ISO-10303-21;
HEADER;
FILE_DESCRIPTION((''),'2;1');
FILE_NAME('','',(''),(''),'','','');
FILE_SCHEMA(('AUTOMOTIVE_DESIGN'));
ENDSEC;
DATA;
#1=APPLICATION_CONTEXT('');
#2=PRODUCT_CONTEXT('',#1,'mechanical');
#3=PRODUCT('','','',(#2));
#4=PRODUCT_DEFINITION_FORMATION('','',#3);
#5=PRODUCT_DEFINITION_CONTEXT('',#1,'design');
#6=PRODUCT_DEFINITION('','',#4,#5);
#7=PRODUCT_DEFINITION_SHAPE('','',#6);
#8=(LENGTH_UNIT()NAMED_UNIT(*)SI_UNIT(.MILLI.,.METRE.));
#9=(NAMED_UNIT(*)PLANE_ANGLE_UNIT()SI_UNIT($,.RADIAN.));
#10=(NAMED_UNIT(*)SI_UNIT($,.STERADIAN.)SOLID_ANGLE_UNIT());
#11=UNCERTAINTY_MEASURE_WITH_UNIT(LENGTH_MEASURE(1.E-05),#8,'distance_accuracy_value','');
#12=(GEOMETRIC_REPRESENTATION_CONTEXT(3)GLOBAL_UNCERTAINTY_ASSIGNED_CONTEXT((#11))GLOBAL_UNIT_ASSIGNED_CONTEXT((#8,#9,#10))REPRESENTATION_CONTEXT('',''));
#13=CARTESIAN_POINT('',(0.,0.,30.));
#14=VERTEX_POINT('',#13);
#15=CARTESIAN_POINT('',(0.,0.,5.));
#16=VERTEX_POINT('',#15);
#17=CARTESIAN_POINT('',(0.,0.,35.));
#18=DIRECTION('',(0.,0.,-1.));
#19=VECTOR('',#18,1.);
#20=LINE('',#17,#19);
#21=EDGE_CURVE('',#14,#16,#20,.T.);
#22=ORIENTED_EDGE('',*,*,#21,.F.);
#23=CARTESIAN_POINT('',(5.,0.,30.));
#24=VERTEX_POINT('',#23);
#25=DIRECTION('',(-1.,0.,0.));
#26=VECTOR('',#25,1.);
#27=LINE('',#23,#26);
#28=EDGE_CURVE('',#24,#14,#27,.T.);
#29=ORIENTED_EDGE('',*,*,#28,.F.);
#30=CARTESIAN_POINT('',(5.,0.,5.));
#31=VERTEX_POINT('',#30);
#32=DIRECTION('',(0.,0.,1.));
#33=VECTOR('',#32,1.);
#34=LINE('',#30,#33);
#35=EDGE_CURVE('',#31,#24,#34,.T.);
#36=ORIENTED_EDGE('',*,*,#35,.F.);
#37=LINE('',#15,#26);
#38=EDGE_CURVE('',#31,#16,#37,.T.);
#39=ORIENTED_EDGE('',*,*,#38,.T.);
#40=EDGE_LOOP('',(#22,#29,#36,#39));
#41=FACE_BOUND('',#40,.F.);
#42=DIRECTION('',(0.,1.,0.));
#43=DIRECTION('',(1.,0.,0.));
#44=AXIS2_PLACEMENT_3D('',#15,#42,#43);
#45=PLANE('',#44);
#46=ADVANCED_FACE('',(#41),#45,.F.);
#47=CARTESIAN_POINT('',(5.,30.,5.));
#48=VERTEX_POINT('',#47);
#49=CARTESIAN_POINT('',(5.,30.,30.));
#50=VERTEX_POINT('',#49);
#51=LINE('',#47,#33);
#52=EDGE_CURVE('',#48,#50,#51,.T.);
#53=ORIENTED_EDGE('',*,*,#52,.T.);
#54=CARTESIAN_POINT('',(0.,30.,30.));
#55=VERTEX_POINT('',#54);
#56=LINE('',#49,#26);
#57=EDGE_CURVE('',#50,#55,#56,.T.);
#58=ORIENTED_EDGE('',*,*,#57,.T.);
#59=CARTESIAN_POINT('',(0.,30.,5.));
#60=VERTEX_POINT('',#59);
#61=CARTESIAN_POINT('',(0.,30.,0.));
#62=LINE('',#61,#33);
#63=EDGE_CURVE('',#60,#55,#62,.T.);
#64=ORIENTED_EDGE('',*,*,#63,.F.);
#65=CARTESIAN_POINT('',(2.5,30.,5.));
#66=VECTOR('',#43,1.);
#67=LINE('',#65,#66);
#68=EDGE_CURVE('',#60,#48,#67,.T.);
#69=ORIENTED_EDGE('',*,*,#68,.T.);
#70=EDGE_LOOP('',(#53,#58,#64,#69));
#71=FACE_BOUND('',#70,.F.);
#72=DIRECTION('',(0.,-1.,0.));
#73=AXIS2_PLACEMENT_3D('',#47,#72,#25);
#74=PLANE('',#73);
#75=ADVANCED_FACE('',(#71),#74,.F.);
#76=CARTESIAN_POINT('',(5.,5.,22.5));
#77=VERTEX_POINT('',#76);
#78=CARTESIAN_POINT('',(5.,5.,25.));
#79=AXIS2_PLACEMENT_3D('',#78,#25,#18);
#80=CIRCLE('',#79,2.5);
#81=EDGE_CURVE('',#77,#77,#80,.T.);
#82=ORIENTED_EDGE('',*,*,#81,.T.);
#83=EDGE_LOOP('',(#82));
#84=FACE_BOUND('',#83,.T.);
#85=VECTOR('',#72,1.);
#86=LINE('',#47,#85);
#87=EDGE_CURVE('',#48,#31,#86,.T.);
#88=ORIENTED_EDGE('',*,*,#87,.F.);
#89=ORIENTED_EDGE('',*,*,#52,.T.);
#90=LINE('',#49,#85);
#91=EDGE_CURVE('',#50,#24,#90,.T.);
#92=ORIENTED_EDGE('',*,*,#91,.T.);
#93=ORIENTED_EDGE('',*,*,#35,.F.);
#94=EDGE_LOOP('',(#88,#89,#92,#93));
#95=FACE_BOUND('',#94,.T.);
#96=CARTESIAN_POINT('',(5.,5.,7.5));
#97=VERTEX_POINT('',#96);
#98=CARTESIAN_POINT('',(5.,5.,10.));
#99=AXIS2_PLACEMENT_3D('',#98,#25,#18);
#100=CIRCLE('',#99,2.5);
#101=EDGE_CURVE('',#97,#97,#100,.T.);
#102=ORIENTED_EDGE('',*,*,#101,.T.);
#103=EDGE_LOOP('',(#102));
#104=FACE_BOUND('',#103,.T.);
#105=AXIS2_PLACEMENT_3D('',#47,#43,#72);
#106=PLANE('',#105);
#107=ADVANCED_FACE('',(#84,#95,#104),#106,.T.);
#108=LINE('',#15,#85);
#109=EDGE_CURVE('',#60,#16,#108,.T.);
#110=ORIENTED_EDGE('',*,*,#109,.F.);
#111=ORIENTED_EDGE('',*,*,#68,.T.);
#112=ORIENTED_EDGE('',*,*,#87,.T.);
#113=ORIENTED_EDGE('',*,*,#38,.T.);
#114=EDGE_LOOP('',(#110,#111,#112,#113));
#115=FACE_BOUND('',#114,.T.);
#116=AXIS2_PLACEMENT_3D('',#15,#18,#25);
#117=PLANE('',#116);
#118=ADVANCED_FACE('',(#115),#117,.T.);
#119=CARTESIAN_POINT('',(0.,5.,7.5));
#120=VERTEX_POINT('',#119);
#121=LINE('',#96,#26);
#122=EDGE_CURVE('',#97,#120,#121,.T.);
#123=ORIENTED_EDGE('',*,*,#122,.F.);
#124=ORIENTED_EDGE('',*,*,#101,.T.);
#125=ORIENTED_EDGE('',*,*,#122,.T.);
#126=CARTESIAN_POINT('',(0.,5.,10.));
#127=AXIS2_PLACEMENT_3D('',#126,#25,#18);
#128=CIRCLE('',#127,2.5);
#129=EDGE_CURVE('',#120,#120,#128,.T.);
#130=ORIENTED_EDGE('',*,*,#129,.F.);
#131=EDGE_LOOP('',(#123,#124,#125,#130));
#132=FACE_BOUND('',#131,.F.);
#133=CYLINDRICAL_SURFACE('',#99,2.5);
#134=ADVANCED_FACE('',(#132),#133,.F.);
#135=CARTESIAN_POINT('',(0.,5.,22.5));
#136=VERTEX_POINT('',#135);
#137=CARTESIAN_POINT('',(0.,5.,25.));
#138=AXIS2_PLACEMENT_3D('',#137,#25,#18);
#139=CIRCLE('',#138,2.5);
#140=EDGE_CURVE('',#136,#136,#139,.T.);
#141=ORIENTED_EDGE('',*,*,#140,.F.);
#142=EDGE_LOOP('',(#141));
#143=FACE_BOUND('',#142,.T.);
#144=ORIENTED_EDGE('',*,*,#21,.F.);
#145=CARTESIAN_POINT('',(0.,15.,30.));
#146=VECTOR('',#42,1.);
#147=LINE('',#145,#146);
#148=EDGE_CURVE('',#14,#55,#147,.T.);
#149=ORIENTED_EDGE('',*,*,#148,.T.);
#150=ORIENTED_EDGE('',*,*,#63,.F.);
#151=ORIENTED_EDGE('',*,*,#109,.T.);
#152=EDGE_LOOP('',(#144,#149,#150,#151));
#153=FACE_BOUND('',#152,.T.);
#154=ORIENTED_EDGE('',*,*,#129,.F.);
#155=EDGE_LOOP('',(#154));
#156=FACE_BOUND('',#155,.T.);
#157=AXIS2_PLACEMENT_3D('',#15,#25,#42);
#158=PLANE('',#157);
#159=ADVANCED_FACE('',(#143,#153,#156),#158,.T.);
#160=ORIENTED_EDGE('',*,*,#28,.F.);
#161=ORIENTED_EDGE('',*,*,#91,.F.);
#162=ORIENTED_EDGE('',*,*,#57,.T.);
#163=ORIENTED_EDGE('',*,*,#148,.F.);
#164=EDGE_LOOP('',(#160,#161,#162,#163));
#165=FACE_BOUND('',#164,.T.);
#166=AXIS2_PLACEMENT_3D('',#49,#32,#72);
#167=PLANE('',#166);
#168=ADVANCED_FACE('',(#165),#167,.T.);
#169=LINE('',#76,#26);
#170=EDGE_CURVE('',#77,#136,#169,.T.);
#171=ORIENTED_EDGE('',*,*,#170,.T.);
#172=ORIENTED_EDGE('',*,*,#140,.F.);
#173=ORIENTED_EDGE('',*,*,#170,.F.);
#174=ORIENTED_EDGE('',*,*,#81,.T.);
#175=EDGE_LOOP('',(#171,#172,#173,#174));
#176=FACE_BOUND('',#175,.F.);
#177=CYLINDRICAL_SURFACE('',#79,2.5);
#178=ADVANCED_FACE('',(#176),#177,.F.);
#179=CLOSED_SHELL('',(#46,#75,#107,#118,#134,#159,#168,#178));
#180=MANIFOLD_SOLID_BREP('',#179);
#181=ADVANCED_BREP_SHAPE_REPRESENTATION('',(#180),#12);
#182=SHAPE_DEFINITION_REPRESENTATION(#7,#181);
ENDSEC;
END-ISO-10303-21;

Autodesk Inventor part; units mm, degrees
ref_plane "YZ Plane" through (0, 0, 0) normal (1, 0, 0) x (0, 1, 0)
ref_plane "XZ Plane" through (0, 0, 0) normal (0, 1, 0) x (-1, 0, 0)
ref_plane "XY Plane" through (0, 0, 0) normal (0, 0, 1) x (1, 0, 0)
sketch "スケッチ1" plane through (0, 0, 0) normal (0, 0, 1) x (1, 0, 0)
  line L0 (0, 0) -> (5, 0)
  line L1 (5, 0) -> (5, 30)
  line L2 (5, 30) -> (0, 30)
  line L3 (0, 30) -> (0, 0)
  line L4 (5, 30) -> (15, 30)
  line L5 (15, 30) -> (15, 0)
  line L6 (15, 0) -> (5, 0)
  line L7 (5, 0) -> (5, 30)
  dimension "d0" = 30
  dimension "d1" = 5
  dimension "d2" = 30
  dimension "d3" = 10
extrude "押し出し1" add sketch "スケッチ1" along normal blind 5
sketch "スケッチ2" plane through (0, 0, 5) normal (0, 0, 1) x (1, 0, 0)
  line L0 (15, 0) -> (15, 30) projected
  line L1 (0, 0) -> (15, 0) projected
  line L2 (15, 30) -> (5, 30)
  line L3 (5, 30) -> (5, 0)
  line L4 (5, 0) -> (15, 0)
  line L5 (15, 0) -> (15, 30)
  point P0 (10, 21)
  point P1 (10, 9)
  dimension "d6" = 10
  dimension "d7" = 5
  dimension "d8" = 9
  dimension "d9" = 9
  dimension "d10" = 5
hole "穴1" at (10, 21, 5) at (10, 9, 5) direction (0, 0, -1) diameter 5 depth 8
sketch "スケッチ3" plane through (0, 0, 5) normal (0, 0, 1) x (1, 0, 0)
  line L0 (15, 30) -> (0, 30) projected
  line L1 (0, 0) -> (15, 0) projected
  line L2 (0, 30) -> (5, 30)
  line L3 (5, 30) -> (5, 0)
  line L4 (5, 0) -> (0, 0)
  line L5 (0, 0) -> (0, 30)
  dimension "d18" = 5
extrude "押し出し2" add sketch "スケッチ3" along normal blind 30
sketch "スケッチ4" plane through (5, 0, 5) normal (1, 0, 0) x (0, 0, -1)
  line L0 (-30, 0) -> (-30, 30) projected
  line L1 (0, 0) -> (-30, 0) projected
  line L2 (5, 0) -> (5, 30) projected
  point P0 (-20, 5)
  point P1 (-5, 5)
  dimension "d21" = 15
  dimension "d22" = 10
  dimension "d23" = 5
  dimension "d24" = 5
  dimension "d25" = 10
hole "穴2" at (5, 5, 25) at (5, 5, 10) direction (-1, 0, 0) diameter 5 depth 8
sketch "スケッチ5" plane through (5, 0, 5) normal (1, 0, 0) x (0, 0, -1)
  line L0 (5, 30) -> (-30, 30) projected
  line L1 (-30, 30) -> (-25, 30)
  line L2 (-25, 30) -> (-25, 0)
  line L3 (-25, 0) -> (-30, 0)
  line L4 (-30, 0) -> (-30, 30)
  line L5 (0, 0) -> (0, 30) projected
  circle A0 centre (-5, 5) radius 2.5 projected
  circle A1 centre (-20, 5) radius 2.5 projected
  point P0 (5, 0)
  dimension "d33" = 5
  dimension "d34" = 5
extrude "押し出し3" cut sketch "スケッチ5" against normal through all contours L2 L3 L4 L0
sketch "スケッチ6" plane through (0, 0, 0) normal (0, 0, -1) x (-1, 0, 0)
  line L0 (-35.4456, 44.1041) -> (17.4783, 44.1041)
  line L1 (17.4783, 44.1041) -> (17.4783, -11.5216)
  line L2 (17.4783, -11.5216) -> (-35.4456, -11.5216)
  line L3 (-35.4456, -11.5216) -> (-35.4456, 44.1041)
  point P0 (0, 0)
extrude "押し出し4" cut sketch "スケッチ6" against normal blind 5
equation "\"d9\" = d8"
equation "\"d10\" = d7"
equation "\"d24\" = d23"
equation "\"d34\" = d33"
properties part number "BP_BOX-Support-Bar-Connect2"
